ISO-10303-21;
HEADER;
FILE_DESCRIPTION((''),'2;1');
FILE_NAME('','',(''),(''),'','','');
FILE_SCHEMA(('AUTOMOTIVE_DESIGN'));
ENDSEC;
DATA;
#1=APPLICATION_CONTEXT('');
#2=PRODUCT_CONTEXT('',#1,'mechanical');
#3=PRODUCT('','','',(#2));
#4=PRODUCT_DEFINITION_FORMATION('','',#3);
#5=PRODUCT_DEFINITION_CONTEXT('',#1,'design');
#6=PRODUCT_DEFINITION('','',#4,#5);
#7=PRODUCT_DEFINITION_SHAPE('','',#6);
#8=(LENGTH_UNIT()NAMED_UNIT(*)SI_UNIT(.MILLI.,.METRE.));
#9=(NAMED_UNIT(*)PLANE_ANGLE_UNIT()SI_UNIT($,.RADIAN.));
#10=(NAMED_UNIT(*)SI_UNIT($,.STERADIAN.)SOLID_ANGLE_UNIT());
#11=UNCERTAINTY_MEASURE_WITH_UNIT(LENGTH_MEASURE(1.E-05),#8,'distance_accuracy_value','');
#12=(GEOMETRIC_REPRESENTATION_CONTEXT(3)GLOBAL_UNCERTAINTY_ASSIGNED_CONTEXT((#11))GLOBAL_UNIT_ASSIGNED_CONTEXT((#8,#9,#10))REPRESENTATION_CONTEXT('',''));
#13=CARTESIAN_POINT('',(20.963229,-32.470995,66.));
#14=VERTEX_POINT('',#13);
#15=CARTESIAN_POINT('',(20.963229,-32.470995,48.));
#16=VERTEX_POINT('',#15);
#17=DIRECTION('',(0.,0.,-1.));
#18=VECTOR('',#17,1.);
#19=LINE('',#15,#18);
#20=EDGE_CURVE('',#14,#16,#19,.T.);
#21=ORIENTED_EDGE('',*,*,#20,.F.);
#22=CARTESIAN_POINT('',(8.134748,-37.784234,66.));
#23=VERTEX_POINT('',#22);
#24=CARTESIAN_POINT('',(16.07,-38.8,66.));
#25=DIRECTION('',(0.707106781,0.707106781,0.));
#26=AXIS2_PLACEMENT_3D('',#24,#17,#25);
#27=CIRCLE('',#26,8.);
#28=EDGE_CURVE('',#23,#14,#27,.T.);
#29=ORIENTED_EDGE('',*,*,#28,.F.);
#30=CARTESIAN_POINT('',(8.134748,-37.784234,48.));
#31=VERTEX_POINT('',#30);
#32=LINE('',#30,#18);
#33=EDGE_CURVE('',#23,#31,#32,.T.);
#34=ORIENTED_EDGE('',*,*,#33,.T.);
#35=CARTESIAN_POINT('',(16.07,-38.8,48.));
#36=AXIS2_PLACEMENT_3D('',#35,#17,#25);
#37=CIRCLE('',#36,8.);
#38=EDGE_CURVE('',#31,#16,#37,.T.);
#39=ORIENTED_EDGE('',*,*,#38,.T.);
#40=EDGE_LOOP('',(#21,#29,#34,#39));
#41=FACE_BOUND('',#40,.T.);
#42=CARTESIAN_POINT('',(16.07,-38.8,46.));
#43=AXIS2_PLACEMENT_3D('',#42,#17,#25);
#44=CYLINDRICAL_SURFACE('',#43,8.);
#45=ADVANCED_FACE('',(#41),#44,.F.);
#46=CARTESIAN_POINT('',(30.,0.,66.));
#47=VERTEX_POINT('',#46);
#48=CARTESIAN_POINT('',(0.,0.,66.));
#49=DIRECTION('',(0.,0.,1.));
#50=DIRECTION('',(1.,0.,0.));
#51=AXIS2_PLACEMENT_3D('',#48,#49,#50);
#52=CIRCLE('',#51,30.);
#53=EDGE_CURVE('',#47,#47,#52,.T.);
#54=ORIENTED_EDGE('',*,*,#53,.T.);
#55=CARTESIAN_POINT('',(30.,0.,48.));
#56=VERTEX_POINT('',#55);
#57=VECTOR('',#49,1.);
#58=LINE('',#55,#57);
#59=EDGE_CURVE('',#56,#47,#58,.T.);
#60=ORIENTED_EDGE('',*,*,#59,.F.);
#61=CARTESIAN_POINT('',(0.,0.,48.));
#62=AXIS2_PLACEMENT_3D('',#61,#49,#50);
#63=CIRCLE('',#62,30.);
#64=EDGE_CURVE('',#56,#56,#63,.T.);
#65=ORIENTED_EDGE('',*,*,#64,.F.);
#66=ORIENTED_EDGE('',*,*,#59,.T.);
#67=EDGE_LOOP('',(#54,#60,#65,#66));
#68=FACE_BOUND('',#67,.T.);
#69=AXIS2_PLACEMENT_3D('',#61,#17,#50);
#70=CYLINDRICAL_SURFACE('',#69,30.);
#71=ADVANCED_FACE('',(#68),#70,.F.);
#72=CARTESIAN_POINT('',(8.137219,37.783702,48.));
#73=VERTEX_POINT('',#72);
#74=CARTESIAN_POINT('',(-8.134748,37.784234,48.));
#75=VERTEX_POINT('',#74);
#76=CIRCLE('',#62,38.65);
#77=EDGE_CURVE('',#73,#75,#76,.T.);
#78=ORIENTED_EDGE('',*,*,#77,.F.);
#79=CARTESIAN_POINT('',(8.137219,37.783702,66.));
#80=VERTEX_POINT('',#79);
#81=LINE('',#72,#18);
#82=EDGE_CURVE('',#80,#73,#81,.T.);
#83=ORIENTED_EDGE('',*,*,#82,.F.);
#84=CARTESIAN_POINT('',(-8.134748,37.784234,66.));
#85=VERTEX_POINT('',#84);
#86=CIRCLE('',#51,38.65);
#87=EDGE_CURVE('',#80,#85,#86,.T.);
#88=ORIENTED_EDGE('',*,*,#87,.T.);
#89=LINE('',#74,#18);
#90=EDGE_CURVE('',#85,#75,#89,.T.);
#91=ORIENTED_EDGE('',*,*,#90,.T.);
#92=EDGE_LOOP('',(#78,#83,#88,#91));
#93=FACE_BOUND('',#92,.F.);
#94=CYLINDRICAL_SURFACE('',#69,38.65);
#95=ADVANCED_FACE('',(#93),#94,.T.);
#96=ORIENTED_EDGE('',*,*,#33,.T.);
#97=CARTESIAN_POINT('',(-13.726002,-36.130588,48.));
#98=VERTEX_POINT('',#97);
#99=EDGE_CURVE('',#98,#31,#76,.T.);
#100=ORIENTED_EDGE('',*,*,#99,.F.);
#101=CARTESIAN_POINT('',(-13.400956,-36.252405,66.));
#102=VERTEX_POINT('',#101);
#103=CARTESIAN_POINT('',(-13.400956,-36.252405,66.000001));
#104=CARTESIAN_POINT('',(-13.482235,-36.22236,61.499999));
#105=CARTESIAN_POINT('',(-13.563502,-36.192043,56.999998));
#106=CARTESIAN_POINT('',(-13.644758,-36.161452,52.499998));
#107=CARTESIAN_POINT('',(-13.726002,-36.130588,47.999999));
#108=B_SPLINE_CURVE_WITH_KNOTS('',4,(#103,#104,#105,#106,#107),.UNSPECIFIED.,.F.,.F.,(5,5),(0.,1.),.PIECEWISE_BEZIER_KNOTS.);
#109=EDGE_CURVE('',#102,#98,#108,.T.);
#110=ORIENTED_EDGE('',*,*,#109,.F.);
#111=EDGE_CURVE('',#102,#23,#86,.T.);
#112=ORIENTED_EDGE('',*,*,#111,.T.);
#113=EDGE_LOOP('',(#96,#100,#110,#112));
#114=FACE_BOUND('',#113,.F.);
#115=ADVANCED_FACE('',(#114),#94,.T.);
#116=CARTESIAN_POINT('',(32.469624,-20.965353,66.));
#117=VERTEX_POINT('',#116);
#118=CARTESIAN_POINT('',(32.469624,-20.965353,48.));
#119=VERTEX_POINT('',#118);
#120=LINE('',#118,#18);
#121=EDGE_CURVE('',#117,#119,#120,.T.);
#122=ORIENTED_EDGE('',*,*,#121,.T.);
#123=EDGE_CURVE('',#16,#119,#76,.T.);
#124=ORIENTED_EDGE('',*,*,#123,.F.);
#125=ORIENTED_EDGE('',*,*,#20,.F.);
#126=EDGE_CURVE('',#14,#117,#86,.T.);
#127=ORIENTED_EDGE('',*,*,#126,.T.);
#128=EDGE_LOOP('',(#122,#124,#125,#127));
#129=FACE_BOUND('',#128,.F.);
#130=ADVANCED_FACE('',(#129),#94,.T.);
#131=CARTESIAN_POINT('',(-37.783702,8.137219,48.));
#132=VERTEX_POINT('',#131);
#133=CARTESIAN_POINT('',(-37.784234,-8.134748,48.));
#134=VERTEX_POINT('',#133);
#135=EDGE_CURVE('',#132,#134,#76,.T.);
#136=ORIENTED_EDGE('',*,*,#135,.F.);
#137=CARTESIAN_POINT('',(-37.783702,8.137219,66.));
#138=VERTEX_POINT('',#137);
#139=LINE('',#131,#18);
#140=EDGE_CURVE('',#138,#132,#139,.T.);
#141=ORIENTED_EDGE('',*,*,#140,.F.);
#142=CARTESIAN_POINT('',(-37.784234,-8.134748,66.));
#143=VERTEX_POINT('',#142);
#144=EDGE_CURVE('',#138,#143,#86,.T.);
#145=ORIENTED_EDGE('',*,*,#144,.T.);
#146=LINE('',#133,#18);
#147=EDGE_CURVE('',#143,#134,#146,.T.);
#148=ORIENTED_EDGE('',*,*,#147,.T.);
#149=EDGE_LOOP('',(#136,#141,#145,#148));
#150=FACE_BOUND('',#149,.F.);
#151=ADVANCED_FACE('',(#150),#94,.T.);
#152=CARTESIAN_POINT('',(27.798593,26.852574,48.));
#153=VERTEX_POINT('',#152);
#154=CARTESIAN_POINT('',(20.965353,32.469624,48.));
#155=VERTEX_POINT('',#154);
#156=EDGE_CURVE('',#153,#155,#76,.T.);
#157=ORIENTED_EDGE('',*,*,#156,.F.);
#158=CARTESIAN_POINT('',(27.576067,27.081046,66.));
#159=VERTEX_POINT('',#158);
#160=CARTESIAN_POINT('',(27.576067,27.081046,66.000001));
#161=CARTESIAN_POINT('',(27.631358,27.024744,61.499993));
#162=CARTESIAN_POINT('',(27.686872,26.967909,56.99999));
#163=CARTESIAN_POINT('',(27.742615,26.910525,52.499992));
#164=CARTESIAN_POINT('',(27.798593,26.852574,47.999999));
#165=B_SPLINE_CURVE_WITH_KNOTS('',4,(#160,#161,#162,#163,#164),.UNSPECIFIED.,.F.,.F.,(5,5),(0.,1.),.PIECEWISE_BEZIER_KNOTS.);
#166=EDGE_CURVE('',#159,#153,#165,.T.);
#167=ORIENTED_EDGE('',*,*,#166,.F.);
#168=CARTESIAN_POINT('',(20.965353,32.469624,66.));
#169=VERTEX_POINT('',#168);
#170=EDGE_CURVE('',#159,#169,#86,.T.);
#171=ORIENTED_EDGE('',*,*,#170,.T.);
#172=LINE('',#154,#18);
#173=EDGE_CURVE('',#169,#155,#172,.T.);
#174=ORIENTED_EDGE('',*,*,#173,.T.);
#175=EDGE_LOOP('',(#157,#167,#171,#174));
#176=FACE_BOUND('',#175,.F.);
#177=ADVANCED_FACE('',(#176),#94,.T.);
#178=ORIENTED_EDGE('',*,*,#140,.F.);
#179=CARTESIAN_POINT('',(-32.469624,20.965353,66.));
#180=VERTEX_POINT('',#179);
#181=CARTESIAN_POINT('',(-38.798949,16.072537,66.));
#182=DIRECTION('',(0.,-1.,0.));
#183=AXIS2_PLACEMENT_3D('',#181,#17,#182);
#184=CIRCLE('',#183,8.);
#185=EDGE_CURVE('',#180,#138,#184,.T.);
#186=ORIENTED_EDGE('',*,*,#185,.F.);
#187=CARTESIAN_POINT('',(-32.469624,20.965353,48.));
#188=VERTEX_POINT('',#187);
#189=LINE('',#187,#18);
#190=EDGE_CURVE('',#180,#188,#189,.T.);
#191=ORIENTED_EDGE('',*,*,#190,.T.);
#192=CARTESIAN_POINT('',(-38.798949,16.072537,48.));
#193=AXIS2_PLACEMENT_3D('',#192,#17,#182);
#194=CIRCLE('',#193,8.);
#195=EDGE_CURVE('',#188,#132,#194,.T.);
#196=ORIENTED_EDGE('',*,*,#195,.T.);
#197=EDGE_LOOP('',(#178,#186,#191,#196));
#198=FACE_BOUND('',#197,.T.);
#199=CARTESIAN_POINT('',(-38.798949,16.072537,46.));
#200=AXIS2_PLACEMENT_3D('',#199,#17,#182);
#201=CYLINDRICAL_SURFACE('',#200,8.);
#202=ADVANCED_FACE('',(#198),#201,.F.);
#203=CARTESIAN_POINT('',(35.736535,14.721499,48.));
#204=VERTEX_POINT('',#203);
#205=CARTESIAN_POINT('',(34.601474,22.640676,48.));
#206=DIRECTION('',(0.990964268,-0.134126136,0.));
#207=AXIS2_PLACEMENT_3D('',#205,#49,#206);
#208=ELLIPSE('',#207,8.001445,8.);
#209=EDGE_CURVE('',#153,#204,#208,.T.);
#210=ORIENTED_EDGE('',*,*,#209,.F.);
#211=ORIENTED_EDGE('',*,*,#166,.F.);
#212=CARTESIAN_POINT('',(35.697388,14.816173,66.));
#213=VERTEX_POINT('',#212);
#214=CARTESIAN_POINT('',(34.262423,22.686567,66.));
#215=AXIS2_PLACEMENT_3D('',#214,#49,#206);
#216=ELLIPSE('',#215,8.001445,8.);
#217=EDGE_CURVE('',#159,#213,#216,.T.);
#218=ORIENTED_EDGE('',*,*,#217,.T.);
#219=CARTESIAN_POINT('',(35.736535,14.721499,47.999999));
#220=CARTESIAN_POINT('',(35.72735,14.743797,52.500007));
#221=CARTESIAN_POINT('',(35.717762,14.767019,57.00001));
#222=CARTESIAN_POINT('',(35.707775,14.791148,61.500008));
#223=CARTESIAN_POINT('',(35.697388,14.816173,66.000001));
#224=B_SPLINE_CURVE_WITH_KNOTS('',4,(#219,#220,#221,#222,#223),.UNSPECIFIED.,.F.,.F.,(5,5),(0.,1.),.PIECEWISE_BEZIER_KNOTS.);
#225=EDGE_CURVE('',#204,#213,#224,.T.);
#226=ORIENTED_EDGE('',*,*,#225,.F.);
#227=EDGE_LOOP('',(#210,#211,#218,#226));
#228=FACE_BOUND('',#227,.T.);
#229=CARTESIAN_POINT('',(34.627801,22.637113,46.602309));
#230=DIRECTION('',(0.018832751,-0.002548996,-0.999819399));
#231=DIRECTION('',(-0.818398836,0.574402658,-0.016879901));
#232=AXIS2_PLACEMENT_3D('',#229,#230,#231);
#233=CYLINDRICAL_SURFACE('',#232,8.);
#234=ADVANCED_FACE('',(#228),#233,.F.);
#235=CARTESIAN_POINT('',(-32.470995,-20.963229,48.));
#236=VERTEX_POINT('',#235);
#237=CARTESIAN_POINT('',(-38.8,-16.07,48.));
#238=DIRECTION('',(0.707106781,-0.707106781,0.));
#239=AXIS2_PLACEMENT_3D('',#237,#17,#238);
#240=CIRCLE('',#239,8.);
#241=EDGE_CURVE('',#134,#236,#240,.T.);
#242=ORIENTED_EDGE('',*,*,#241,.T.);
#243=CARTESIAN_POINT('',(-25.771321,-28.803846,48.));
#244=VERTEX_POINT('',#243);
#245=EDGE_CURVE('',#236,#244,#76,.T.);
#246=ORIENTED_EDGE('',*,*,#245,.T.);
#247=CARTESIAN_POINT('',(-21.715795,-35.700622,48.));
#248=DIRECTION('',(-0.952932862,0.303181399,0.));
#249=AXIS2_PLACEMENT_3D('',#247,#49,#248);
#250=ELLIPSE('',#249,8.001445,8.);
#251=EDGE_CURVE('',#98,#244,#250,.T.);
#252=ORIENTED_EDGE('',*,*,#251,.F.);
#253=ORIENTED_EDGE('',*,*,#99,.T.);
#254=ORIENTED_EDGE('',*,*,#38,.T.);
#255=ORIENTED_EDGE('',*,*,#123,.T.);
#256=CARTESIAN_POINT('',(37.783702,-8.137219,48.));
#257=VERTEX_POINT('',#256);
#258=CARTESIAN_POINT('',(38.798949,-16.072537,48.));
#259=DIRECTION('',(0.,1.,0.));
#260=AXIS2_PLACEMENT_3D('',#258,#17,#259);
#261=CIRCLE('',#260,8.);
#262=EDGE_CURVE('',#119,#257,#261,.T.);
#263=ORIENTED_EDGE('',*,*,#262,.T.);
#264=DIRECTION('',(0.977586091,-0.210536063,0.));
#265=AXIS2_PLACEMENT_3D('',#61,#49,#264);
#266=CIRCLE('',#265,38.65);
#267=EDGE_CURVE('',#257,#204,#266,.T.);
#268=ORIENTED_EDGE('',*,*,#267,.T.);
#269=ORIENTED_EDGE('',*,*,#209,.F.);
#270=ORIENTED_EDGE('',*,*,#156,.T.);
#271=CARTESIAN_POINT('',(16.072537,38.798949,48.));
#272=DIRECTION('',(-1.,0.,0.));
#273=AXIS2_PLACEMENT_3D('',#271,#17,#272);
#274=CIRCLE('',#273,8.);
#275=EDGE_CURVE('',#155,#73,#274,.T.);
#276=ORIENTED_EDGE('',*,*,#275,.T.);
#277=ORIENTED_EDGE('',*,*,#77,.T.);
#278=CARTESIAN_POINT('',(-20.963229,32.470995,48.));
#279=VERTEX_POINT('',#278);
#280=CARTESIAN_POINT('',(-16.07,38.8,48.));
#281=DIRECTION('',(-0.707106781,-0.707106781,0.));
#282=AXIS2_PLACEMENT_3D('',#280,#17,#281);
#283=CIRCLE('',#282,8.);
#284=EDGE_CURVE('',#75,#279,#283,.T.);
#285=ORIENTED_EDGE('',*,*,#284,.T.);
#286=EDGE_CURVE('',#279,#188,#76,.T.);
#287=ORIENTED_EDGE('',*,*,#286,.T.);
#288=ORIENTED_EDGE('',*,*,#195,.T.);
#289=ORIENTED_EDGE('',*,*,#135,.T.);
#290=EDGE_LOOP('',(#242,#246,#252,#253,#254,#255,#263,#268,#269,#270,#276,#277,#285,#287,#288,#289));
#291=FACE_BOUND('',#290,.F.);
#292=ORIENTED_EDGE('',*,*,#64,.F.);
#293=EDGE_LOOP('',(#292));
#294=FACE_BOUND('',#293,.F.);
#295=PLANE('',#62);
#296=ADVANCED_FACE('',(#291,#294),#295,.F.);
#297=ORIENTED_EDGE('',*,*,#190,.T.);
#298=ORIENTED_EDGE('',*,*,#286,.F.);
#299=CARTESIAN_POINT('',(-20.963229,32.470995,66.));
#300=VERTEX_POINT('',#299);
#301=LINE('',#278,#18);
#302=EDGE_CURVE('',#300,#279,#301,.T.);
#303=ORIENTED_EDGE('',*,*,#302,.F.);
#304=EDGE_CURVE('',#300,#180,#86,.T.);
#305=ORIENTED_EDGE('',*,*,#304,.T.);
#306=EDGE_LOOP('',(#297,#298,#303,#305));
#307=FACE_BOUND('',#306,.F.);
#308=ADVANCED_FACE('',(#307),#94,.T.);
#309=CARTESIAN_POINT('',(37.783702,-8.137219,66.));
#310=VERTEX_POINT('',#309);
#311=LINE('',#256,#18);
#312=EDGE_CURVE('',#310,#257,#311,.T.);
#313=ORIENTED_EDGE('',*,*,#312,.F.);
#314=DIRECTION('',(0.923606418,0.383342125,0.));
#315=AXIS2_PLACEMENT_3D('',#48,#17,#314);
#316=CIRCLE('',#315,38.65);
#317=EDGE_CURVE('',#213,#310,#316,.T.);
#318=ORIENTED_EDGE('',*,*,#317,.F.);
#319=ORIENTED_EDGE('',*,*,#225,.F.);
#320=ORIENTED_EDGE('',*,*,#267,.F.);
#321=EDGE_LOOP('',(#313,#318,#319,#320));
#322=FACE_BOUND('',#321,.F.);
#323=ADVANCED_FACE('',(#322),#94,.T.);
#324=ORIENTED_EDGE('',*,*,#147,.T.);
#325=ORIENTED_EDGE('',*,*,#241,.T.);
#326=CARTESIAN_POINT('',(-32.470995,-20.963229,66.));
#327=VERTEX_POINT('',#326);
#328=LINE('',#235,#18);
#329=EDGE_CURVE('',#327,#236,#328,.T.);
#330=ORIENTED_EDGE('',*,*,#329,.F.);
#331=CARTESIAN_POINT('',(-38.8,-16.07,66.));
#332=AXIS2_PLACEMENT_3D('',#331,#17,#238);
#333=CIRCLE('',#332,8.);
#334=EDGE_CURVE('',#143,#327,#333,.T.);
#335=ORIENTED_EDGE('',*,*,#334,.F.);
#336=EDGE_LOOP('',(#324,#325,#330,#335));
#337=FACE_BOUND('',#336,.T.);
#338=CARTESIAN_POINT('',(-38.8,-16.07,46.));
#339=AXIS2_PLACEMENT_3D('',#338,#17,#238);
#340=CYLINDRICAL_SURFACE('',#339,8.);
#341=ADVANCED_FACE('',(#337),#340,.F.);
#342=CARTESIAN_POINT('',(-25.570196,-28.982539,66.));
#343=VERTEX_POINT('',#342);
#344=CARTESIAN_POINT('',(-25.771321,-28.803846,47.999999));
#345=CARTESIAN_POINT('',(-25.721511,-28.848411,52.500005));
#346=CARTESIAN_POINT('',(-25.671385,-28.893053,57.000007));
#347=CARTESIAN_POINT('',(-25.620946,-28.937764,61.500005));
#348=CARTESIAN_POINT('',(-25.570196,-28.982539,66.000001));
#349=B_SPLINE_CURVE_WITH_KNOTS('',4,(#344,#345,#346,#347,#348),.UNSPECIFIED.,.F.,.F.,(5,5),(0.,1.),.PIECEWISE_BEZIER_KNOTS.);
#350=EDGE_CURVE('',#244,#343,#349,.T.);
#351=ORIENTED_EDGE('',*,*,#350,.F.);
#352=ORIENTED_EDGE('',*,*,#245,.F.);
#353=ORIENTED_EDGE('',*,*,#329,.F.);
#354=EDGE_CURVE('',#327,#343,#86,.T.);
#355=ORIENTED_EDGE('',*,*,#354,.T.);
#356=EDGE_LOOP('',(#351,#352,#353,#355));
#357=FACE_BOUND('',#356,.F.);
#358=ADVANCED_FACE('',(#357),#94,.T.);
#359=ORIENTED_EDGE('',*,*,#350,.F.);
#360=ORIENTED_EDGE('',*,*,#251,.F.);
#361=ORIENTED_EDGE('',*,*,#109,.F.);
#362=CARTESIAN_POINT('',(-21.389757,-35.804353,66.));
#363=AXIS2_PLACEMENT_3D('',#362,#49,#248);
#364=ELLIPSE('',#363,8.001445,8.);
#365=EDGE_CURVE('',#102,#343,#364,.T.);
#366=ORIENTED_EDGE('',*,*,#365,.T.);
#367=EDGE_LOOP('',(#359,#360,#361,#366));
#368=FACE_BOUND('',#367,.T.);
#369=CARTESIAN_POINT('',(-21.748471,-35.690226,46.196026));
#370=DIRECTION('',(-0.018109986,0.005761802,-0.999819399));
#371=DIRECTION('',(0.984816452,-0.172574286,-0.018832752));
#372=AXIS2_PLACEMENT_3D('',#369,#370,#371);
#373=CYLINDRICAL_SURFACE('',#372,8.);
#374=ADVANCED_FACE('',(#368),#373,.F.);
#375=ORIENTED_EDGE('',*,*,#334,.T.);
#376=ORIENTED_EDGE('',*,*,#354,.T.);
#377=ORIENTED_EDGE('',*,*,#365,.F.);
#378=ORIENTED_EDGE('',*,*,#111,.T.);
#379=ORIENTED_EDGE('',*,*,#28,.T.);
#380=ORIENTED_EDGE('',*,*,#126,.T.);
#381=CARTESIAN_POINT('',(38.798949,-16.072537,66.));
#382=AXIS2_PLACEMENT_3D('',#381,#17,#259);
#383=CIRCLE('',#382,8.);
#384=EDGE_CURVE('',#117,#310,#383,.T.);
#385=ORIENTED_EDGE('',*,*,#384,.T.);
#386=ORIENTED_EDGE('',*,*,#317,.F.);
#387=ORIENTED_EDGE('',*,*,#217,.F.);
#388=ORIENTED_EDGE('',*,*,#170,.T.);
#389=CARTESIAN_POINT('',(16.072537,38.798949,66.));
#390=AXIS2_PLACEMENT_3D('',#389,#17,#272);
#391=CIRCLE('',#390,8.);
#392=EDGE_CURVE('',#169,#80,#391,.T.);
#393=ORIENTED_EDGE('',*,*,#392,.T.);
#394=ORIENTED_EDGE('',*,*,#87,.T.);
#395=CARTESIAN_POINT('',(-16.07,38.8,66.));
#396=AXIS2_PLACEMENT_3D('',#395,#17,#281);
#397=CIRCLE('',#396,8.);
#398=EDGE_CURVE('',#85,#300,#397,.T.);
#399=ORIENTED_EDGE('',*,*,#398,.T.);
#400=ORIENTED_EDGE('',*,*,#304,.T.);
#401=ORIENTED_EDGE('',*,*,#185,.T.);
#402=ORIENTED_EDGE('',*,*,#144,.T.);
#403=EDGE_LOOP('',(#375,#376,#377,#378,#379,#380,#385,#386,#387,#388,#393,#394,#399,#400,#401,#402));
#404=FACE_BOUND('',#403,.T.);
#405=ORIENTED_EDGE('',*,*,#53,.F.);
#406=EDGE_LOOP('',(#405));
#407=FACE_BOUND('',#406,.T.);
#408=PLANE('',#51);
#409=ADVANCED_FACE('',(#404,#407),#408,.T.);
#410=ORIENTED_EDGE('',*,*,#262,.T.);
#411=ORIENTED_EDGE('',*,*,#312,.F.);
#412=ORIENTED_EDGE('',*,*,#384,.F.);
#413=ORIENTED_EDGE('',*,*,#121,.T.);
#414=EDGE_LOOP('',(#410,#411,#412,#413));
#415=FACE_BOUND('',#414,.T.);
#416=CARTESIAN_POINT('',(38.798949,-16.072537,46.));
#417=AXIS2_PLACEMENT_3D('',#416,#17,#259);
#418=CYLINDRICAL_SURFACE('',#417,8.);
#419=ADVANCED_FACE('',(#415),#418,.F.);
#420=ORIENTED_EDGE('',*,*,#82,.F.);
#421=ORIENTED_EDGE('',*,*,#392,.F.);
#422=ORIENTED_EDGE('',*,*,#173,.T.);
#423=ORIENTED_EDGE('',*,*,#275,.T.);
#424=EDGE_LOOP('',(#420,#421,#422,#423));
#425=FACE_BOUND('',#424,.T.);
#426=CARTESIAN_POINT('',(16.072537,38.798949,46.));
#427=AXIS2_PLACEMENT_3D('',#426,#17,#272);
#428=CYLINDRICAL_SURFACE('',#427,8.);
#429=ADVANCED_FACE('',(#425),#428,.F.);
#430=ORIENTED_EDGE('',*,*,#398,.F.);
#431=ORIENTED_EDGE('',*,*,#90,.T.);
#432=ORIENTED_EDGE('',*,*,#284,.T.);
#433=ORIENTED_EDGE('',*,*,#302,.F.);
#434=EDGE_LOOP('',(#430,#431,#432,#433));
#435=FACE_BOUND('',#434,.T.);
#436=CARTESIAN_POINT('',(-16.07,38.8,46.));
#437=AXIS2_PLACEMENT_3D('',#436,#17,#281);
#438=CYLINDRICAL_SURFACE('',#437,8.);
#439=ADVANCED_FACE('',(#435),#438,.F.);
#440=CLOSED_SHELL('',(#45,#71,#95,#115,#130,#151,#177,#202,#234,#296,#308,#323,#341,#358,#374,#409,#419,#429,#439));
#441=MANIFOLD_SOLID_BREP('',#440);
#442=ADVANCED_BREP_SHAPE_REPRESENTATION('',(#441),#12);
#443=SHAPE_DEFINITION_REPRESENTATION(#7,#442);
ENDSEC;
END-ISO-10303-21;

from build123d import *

# Parameters (mm, degrees)
CYLINDER446_R               = 8
CYLINDER446_DEPTH           = 25
CYLINDER447_R               = 8
CYLINDER447_DEPTH           = 25
CYLINDER447_PLACEMENT_ANGLE = 225
CYLINDER448_R               = 8
CYLINDER448_DEPTH           = 25
CYLINDER449_R               = 8
CYLINDER449_DEPTH           = 25
CYLINDER449_ROLL_ANGLE      = -0.500355
CYLINDER449_PITCH_ANGLE     = 0.967193
CYLINDER449_PLACEMENT_ANGLE = 144.93646
CYLINDER450_R               = 8
CYLINDER450_DEPTH           = 25
CYLINDER451_R               = 8
CYLINDER451_DEPTH           = 25
CYLINDER451_PLACEMENT_ANGLE = 45
CYLINDER444_R               = 8
CYLINDER444_DEPTH           = 25
CYLINDER444_ROLL_ANGLE      = 0.146073
CYLINDER444_PITCH_ANGLE     = 1.079101
CYLINDER444_PLACEMENT_ANGLE = -9.939308
CYLINDER445_R               = 8
CYLINDER445_DEPTH           = 25
CYLINDER445_PLACEMENT_ANGLE = 45
TUBE023_R                   = 38.65
TUBE023_R_2                 = 30
TUBE023_DEPTH               = 18


with BuildPart() as v_lec446:
    # Cylinder446 → Cylinder446 (new body)
    with BuildSketch(Plane(origin=(-38.798949, 16.072537, 43), x_dir=(0, -1, 0), z_dir=(0, 0, 1))):
        Circle(CYLINDER446_R)
    extrude(amount=CYLINDER446_DEPTH)


with BuildPart() as v_lec447:
    # Cylinder447 → Cylinder447 (new body)
    with BuildSketch(Plane.XY):
        Circle(CYLINDER447_R)
    extrude(amount=CYLINDER447_DEPTH)


with BuildPart() as v_lec447_1:
    # Cylinder447 placement: moved
    add(v_lec447.part.moved(Location((-16.07, 38.8, 43))).rotate(Axis((-16.07, 38.8, 43), (0, 0, 1)), CYLINDER447_PLACEMENT_ANGLE))


with BuildPart() as v_lec448:
    # Cylinder448 → Cylinder448 (new body)
    with BuildSketch(Plane(origin=(16.072537, 38.798949, 43), x_dir=(-1, 0, 0), z_dir=(0, 0, 1))):
        Circle(CYLINDER448_R)
    extrude(amount=CYLINDER448_DEPTH)


with BuildPart() as v_lec449:
    # Cylinder449 → Cylinder449 (new body)
    with BuildSketch(Plane.XY):
        Circle(CYLINDER449_R)
    extrude(amount=CYLINDER449_DEPTH)


with BuildPart() as v_lec449_1:
    # Cylinder449 roll: moved
    add(v_lec449.part.rotate(Axis((0, 0, 0), (1, 0, 0)), CYLINDER449_ROLL_ANGLE))


with BuildPart() as v_lec449_2:
    # Cylinder449 pitch: moved
    add(v_lec449_1.part.rotate(Axis((0, 0, 0), (0, 1, 0)), CYLINDER449_PITCH_ANGLE))


with BuildPart() as v_lec449_3:
    # Cylinder449 placement: moved
    add(v_lec449_2.part.moved(Location((34.627801, 22.637113, 43.602309))).rotate(Axis((34.627801, 22.637113, 43.602309), (0, 0, 1)), CYLINDER449_PLACEMENT_ANGLE))


with BuildPart() as v_lec450:
    # Cylinder450 → Cylinder450 (new body)
    with BuildSketch(Plane(origin=(38.798949, -16.072537, 43), x_dir=(0, 1, 0), z_dir=(0, 0, 1))):
        Circle(CYLINDER450_R)
    extrude(amount=CYLINDER450_DEPTH)


with BuildPart() as v_lec451:
    # Cylinder451 → Cylinder451 (new body)
    with BuildSketch(Plane.XY):
        Circle(CYLINDER451_R)
    extrude(amount=CYLINDER451_DEPTH)


with BuildPart() as v_lec451_1:
    # Cylinder451 placement: moved
    add(v_lec451.part.moved(Location((16.07, -38.8, 43))).rotate(Axis((16.07, -38.8, 43), (0, 0, 1)), CYLINDER451_PLACEMENT_ANGLE))


with BuildPart() as v_lec444:
    # Cylinder444 → Cylinder444 (new body)
    with BuildSketch(Plane.XY):
        Circle(CYLINDER444_R)
    extrude(amount=CYLINDER444_DEPTH)


with BuildPart() as v_lec444_1:
    # Cylinder444 roll: moved
    add(v_lec444.part.rotate(Axis((0, 0, 0), (1, 0, 0)), CYLINDER444_ROLL_ANGLE))


with BuildPart() as v_lec444_2:
    # Cylinder444 pitch: moved
    add(v_lec444_1.part.rotate(Axis((0, 0, 0), (0, 1, 0)), CYLINDER444_PITCH_ANGLE))


with BuildPart() as v_lec444_3:
    # Cylinder444 placement: moved
    add(v_lec444_2.part.moved(Location((-21.748471, -35.690226, 43.196026))).rotate(Axis((-21.748471, -35.690226, 43.196026), (0, 0, 1)), CYLINDER444_PLACEMENT_ANGLE))


with BuildPart() as compound325:
    # Cylinder445 → Cylinder445 (new body)
    with BuildSketch(Plane.XY):
        Circle(CYLINDER445_R)
    extrude(amount=CYLINDER445_DEPTH)


with BuildPart() as compound325_1:
    # Cylinder445 placement: moved
    add(compound325.part.moved(Location((-38.8, -16.07, 43))).rotate(Axis((-38.8, -16.07, 43), (0, 0, -1)), CYLINDER445_PLACEMENT_ANGLE))

    # Compound325: union Válec446, Válec447, Válec448, Válec449, Válec450, Válec451, Válec444
    add(v_lec446.part)
    add(v_lec447_1.part)
    add(v_lec448.part)
    add(v_lec449_3.part)
    add(v_lec450.part)
    add(v_lec451_1.part)
    add(v_lec444_3.part)


with BuildPart() as compound325_2:
    # Compound325 placement: moved
    add(compound325_1.part.moved(Location((0, 0, 3))))


with BuildPart() as cut:
    # Tube023 → Tube023 (new body)
    with BuildSketch(Plane.XY.offset(48)):
        Circle(TUBE023_R)
        Circle(TUBE023_R_2, mode=Mode.SUBTRACT)
    extrude(amount=TUBE023_DEPTH)

    # Cut: cut Compound325
    add(compound325_2.part, mode=Mode.SUBTRACT)


solid = cut.part
